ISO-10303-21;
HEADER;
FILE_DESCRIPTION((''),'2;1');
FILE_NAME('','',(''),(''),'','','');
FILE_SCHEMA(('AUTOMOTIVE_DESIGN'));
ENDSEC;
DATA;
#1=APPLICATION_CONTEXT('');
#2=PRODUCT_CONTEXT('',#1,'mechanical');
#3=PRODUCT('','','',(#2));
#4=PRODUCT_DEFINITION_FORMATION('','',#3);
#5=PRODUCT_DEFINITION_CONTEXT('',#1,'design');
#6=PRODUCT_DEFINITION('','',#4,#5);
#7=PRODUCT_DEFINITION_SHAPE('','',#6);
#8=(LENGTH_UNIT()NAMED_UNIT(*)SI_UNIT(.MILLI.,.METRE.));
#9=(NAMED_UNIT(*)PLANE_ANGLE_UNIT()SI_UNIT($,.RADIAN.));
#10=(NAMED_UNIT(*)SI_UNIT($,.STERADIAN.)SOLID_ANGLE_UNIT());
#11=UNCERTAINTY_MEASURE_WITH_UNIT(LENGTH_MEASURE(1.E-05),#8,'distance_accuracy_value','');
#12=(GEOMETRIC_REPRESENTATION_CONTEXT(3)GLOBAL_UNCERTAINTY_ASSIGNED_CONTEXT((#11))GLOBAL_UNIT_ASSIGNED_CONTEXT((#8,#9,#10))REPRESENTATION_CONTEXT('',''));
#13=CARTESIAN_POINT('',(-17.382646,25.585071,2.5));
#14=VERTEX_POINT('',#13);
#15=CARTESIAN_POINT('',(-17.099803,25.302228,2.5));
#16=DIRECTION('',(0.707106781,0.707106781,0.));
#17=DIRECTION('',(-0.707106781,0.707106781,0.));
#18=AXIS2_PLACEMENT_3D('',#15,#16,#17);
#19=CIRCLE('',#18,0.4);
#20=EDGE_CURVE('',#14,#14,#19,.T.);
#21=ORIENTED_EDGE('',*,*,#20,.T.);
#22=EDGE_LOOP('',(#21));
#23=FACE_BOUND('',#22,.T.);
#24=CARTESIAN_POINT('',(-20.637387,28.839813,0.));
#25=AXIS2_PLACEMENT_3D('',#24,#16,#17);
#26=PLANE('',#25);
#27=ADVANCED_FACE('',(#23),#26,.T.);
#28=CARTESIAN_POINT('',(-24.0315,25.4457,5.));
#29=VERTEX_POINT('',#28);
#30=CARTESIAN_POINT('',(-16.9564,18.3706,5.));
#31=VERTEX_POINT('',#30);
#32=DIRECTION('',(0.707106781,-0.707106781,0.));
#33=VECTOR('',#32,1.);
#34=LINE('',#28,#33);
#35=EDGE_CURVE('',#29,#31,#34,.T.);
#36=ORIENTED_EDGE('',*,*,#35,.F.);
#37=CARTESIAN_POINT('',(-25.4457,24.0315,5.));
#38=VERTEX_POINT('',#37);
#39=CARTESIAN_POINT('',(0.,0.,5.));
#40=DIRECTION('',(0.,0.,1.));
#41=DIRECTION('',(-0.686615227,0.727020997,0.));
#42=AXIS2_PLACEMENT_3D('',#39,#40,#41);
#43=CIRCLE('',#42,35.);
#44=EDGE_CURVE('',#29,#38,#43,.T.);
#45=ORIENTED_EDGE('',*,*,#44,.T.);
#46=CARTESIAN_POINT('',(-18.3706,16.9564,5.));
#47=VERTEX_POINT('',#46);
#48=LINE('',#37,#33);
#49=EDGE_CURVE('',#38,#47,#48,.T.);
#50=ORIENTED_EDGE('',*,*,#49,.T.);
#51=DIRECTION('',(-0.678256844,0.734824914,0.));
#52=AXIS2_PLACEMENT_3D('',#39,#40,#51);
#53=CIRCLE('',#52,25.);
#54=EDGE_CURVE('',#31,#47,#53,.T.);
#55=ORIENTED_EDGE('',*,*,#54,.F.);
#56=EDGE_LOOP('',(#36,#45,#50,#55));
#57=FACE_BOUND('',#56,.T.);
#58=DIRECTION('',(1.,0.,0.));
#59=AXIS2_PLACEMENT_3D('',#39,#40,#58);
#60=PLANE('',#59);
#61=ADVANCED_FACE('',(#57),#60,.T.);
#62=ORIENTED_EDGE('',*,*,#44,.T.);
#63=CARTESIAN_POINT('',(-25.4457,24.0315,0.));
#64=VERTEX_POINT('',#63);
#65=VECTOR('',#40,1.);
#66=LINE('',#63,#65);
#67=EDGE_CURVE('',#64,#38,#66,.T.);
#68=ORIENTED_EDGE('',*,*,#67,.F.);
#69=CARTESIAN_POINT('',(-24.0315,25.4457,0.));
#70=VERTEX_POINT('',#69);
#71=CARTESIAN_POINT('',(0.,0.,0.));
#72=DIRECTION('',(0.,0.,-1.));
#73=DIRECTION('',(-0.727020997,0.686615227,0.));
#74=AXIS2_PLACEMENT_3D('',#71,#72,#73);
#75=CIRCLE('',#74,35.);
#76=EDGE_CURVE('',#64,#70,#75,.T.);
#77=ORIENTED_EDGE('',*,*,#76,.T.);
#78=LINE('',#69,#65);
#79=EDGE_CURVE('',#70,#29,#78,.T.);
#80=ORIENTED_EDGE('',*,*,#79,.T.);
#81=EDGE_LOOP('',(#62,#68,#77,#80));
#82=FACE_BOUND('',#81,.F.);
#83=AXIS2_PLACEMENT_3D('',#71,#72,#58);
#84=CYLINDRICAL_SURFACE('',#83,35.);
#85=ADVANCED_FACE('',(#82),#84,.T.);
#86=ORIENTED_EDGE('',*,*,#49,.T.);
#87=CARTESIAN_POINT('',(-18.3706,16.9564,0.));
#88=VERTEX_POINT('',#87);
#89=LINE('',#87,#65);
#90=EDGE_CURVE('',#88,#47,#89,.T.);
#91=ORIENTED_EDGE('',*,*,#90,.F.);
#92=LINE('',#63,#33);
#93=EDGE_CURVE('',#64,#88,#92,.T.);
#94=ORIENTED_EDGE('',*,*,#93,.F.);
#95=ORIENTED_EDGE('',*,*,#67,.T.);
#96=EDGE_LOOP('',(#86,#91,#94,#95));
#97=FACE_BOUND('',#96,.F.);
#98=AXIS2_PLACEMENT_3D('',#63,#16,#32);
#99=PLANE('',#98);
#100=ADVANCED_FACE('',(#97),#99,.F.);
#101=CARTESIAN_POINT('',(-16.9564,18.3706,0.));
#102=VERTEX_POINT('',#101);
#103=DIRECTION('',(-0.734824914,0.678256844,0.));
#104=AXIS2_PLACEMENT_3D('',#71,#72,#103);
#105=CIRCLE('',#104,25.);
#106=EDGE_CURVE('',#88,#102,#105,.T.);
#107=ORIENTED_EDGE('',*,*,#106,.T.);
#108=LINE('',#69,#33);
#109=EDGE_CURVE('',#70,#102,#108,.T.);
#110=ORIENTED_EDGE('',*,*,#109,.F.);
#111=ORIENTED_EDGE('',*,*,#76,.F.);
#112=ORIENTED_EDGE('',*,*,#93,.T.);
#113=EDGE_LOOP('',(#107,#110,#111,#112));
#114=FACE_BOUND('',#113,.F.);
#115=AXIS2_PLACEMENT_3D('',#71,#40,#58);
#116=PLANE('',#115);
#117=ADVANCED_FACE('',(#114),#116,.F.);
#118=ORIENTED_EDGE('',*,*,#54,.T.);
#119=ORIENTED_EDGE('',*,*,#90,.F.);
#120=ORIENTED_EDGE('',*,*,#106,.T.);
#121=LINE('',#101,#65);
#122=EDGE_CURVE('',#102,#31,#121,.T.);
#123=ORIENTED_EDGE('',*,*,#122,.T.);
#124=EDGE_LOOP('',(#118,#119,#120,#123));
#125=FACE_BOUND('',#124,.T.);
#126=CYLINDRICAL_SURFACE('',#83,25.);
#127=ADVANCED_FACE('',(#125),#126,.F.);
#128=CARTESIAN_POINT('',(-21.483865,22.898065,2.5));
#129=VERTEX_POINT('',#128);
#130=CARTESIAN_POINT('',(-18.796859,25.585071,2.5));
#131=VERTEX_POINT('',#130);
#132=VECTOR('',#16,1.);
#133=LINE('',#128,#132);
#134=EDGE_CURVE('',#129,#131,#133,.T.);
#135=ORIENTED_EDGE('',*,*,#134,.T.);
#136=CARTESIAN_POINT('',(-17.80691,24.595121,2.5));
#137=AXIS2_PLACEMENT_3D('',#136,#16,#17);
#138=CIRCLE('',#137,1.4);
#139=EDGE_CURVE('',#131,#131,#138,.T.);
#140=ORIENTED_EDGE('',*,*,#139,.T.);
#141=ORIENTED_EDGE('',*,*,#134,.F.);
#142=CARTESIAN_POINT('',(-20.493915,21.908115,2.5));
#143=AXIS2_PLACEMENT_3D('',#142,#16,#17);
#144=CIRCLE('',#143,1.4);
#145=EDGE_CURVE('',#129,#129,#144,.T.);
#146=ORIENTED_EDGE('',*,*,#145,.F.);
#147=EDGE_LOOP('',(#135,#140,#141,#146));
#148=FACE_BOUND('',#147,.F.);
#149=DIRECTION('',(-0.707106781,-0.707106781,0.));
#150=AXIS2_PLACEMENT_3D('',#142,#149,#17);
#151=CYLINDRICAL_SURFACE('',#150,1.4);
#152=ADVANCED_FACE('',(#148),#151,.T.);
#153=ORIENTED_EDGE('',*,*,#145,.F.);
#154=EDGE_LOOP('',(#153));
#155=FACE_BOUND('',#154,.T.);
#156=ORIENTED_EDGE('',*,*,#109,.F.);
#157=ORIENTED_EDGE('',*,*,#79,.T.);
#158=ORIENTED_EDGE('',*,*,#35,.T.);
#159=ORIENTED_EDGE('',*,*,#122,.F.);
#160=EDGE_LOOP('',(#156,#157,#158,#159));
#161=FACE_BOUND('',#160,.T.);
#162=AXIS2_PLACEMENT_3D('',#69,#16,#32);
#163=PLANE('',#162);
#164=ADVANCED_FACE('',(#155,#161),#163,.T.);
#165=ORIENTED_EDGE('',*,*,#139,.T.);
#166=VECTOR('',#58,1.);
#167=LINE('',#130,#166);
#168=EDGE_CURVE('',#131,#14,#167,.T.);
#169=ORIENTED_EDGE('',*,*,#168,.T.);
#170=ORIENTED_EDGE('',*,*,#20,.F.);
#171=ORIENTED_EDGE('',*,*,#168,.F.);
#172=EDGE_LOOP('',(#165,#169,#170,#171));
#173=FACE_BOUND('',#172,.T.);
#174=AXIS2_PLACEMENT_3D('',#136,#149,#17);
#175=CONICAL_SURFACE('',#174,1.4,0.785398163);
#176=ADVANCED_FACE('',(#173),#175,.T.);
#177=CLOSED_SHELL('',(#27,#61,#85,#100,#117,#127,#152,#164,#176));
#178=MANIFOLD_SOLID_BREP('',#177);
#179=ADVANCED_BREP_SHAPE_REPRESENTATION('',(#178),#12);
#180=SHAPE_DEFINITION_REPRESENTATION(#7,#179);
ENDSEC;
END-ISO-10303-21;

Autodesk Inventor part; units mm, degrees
ref_plane "YZ Plane" through (0, 0, 0) normal (1, 0, 0) x (0, 1, 0)
ref_plane "XZ Plane" through (0, 0, 0) normal (0, 1, 0) x (-1, 0, 0)
ref_plane "XY Plane" through (0, 0, 0) normal (0, 0, 1) x (1, 0, 0)
sketch "Sketch1" plane through (0, 0, 0) normal (0, 0, 1) x (1, 0, 0)
  circle A0 centre (0, 0) radius 25
  circle A1 centre (0, 0) radius 35
  line L0 (-17.6777, 17.6777) -> (-24.7487, 24.7487)
  line L1 (0, 35) -> (0, 0) construction
  line L2 (-24.0315, 25.4457) -> (-16.9564, 18.3706)
  line L3 (-1.1667, 34.9806) -> (-1.1667, 34.9972)
  line L4 (1.1667, 34.9806) -> (1.1667, 34.9972)
  line L5 (17.6777, 17.6777) -> (24.7487, 24.7487)
  line L6 (24.0315, 25.4457) -> (16.9564, 18.3706)
  line L7 (-25.4457, 24.0315) -> (-18.3706, 16.9564)
  line L8 (25.4457, 24.0315) -> (18.3706, 16.9564)
  line L9 (-1, 15) -> (1, 15)
  line L10 (1, 15) -> (1, 0)
  line L11 (1, 0) -> (-1, 0)
  line L12 (-1, 0) -> (-1, 15)
  line L13 (-1, 0) -> (1, 0)
  line L14 (1, 0) -> (1, -6)
  line L15 (1, -6) -> (-1, -6)
  line L16 (-1, -6) -> (-1, 0)
  line L17 (-1, -6) -> (-5, -6)
  line L18 (-5, -6) -> (-5, 3)
  line L19 (-5, 3) -> (-1, 3)
  line L20 (-1, 3) -> (-1, -6)
  line L21 (-5, 3) -> (-21.2192, -13.2192)
  line L22 (-5, -6) -> (-17.1706, -18.1706)
  line L23 (-5, 3) -> (-1, 15)
  line L24 (-5, -6) -> (-1, -2)
  line L25 (1, 0) -> (1, 15)
  line L26 (1, -6) -> (1, 0)
  line L27 (5, 3) -> (21.2192, -13.2192)
  line L28 (5, -6) -> (17.1706, -18.1706)
  line L29 (5, 3) -> (1, 15)
  line L30 (5, -6) -> (1, -2)
  point P0 (-20.5061, 21.9203)
  point P1 (-21.9203, 20.5061)
  point P2 (20.5061, 21.9203)
  point P3 (21.9203, 20.5061)
  point P4 (-1, -2)
  point P5 (1, 0)
  point P6 (1, -2)
  dimension "d0" = 50
  dimension "d1" = 10
  dimension "d2" = 45
  dimension "d3" = 1
  dimension "d5" = 2
  dimension "d6" = 15
  dimension "d7" = 6
  dimension "d8" = 2
  dimension "d9" = 4
  dimension "d11" = 45
  dimension "d12" = 45
  dimension "d13" = 3
  dimension "d14" = 45
extrude "Extrusion1" add sketch "Sketch1" along normal blind 5 contours A0 L0 A1 L2 | A1 L0 A0 L7
sketch "Sketch3" plane through (-24.0315, 25.4457, 0) normal (0.7071, 0.7071, 0) x (-0.7071, 0.7071, 0)
  line L0 (-10.0057, 5) -> (0, 5) construction
  line L1 (-10.0057, 0) -> (-10.0057, 5) construction
  circle A0 centre (-5.0029, 2.5) radius 1.4
  point P0 (-34.9857, 0)
  dimension "d19" = 2.8
  dimension "d20" = 2.5
  dimension "d21" = 5.0029
extrude "Extrusion3" add sketch "Sketch3" along normal blind 4.8
chamfer "Chamfer1" distance 1 angle 45 1 edges at (-16.1099, 24.3123, 2.5)
properties part number "Black_Part1"
